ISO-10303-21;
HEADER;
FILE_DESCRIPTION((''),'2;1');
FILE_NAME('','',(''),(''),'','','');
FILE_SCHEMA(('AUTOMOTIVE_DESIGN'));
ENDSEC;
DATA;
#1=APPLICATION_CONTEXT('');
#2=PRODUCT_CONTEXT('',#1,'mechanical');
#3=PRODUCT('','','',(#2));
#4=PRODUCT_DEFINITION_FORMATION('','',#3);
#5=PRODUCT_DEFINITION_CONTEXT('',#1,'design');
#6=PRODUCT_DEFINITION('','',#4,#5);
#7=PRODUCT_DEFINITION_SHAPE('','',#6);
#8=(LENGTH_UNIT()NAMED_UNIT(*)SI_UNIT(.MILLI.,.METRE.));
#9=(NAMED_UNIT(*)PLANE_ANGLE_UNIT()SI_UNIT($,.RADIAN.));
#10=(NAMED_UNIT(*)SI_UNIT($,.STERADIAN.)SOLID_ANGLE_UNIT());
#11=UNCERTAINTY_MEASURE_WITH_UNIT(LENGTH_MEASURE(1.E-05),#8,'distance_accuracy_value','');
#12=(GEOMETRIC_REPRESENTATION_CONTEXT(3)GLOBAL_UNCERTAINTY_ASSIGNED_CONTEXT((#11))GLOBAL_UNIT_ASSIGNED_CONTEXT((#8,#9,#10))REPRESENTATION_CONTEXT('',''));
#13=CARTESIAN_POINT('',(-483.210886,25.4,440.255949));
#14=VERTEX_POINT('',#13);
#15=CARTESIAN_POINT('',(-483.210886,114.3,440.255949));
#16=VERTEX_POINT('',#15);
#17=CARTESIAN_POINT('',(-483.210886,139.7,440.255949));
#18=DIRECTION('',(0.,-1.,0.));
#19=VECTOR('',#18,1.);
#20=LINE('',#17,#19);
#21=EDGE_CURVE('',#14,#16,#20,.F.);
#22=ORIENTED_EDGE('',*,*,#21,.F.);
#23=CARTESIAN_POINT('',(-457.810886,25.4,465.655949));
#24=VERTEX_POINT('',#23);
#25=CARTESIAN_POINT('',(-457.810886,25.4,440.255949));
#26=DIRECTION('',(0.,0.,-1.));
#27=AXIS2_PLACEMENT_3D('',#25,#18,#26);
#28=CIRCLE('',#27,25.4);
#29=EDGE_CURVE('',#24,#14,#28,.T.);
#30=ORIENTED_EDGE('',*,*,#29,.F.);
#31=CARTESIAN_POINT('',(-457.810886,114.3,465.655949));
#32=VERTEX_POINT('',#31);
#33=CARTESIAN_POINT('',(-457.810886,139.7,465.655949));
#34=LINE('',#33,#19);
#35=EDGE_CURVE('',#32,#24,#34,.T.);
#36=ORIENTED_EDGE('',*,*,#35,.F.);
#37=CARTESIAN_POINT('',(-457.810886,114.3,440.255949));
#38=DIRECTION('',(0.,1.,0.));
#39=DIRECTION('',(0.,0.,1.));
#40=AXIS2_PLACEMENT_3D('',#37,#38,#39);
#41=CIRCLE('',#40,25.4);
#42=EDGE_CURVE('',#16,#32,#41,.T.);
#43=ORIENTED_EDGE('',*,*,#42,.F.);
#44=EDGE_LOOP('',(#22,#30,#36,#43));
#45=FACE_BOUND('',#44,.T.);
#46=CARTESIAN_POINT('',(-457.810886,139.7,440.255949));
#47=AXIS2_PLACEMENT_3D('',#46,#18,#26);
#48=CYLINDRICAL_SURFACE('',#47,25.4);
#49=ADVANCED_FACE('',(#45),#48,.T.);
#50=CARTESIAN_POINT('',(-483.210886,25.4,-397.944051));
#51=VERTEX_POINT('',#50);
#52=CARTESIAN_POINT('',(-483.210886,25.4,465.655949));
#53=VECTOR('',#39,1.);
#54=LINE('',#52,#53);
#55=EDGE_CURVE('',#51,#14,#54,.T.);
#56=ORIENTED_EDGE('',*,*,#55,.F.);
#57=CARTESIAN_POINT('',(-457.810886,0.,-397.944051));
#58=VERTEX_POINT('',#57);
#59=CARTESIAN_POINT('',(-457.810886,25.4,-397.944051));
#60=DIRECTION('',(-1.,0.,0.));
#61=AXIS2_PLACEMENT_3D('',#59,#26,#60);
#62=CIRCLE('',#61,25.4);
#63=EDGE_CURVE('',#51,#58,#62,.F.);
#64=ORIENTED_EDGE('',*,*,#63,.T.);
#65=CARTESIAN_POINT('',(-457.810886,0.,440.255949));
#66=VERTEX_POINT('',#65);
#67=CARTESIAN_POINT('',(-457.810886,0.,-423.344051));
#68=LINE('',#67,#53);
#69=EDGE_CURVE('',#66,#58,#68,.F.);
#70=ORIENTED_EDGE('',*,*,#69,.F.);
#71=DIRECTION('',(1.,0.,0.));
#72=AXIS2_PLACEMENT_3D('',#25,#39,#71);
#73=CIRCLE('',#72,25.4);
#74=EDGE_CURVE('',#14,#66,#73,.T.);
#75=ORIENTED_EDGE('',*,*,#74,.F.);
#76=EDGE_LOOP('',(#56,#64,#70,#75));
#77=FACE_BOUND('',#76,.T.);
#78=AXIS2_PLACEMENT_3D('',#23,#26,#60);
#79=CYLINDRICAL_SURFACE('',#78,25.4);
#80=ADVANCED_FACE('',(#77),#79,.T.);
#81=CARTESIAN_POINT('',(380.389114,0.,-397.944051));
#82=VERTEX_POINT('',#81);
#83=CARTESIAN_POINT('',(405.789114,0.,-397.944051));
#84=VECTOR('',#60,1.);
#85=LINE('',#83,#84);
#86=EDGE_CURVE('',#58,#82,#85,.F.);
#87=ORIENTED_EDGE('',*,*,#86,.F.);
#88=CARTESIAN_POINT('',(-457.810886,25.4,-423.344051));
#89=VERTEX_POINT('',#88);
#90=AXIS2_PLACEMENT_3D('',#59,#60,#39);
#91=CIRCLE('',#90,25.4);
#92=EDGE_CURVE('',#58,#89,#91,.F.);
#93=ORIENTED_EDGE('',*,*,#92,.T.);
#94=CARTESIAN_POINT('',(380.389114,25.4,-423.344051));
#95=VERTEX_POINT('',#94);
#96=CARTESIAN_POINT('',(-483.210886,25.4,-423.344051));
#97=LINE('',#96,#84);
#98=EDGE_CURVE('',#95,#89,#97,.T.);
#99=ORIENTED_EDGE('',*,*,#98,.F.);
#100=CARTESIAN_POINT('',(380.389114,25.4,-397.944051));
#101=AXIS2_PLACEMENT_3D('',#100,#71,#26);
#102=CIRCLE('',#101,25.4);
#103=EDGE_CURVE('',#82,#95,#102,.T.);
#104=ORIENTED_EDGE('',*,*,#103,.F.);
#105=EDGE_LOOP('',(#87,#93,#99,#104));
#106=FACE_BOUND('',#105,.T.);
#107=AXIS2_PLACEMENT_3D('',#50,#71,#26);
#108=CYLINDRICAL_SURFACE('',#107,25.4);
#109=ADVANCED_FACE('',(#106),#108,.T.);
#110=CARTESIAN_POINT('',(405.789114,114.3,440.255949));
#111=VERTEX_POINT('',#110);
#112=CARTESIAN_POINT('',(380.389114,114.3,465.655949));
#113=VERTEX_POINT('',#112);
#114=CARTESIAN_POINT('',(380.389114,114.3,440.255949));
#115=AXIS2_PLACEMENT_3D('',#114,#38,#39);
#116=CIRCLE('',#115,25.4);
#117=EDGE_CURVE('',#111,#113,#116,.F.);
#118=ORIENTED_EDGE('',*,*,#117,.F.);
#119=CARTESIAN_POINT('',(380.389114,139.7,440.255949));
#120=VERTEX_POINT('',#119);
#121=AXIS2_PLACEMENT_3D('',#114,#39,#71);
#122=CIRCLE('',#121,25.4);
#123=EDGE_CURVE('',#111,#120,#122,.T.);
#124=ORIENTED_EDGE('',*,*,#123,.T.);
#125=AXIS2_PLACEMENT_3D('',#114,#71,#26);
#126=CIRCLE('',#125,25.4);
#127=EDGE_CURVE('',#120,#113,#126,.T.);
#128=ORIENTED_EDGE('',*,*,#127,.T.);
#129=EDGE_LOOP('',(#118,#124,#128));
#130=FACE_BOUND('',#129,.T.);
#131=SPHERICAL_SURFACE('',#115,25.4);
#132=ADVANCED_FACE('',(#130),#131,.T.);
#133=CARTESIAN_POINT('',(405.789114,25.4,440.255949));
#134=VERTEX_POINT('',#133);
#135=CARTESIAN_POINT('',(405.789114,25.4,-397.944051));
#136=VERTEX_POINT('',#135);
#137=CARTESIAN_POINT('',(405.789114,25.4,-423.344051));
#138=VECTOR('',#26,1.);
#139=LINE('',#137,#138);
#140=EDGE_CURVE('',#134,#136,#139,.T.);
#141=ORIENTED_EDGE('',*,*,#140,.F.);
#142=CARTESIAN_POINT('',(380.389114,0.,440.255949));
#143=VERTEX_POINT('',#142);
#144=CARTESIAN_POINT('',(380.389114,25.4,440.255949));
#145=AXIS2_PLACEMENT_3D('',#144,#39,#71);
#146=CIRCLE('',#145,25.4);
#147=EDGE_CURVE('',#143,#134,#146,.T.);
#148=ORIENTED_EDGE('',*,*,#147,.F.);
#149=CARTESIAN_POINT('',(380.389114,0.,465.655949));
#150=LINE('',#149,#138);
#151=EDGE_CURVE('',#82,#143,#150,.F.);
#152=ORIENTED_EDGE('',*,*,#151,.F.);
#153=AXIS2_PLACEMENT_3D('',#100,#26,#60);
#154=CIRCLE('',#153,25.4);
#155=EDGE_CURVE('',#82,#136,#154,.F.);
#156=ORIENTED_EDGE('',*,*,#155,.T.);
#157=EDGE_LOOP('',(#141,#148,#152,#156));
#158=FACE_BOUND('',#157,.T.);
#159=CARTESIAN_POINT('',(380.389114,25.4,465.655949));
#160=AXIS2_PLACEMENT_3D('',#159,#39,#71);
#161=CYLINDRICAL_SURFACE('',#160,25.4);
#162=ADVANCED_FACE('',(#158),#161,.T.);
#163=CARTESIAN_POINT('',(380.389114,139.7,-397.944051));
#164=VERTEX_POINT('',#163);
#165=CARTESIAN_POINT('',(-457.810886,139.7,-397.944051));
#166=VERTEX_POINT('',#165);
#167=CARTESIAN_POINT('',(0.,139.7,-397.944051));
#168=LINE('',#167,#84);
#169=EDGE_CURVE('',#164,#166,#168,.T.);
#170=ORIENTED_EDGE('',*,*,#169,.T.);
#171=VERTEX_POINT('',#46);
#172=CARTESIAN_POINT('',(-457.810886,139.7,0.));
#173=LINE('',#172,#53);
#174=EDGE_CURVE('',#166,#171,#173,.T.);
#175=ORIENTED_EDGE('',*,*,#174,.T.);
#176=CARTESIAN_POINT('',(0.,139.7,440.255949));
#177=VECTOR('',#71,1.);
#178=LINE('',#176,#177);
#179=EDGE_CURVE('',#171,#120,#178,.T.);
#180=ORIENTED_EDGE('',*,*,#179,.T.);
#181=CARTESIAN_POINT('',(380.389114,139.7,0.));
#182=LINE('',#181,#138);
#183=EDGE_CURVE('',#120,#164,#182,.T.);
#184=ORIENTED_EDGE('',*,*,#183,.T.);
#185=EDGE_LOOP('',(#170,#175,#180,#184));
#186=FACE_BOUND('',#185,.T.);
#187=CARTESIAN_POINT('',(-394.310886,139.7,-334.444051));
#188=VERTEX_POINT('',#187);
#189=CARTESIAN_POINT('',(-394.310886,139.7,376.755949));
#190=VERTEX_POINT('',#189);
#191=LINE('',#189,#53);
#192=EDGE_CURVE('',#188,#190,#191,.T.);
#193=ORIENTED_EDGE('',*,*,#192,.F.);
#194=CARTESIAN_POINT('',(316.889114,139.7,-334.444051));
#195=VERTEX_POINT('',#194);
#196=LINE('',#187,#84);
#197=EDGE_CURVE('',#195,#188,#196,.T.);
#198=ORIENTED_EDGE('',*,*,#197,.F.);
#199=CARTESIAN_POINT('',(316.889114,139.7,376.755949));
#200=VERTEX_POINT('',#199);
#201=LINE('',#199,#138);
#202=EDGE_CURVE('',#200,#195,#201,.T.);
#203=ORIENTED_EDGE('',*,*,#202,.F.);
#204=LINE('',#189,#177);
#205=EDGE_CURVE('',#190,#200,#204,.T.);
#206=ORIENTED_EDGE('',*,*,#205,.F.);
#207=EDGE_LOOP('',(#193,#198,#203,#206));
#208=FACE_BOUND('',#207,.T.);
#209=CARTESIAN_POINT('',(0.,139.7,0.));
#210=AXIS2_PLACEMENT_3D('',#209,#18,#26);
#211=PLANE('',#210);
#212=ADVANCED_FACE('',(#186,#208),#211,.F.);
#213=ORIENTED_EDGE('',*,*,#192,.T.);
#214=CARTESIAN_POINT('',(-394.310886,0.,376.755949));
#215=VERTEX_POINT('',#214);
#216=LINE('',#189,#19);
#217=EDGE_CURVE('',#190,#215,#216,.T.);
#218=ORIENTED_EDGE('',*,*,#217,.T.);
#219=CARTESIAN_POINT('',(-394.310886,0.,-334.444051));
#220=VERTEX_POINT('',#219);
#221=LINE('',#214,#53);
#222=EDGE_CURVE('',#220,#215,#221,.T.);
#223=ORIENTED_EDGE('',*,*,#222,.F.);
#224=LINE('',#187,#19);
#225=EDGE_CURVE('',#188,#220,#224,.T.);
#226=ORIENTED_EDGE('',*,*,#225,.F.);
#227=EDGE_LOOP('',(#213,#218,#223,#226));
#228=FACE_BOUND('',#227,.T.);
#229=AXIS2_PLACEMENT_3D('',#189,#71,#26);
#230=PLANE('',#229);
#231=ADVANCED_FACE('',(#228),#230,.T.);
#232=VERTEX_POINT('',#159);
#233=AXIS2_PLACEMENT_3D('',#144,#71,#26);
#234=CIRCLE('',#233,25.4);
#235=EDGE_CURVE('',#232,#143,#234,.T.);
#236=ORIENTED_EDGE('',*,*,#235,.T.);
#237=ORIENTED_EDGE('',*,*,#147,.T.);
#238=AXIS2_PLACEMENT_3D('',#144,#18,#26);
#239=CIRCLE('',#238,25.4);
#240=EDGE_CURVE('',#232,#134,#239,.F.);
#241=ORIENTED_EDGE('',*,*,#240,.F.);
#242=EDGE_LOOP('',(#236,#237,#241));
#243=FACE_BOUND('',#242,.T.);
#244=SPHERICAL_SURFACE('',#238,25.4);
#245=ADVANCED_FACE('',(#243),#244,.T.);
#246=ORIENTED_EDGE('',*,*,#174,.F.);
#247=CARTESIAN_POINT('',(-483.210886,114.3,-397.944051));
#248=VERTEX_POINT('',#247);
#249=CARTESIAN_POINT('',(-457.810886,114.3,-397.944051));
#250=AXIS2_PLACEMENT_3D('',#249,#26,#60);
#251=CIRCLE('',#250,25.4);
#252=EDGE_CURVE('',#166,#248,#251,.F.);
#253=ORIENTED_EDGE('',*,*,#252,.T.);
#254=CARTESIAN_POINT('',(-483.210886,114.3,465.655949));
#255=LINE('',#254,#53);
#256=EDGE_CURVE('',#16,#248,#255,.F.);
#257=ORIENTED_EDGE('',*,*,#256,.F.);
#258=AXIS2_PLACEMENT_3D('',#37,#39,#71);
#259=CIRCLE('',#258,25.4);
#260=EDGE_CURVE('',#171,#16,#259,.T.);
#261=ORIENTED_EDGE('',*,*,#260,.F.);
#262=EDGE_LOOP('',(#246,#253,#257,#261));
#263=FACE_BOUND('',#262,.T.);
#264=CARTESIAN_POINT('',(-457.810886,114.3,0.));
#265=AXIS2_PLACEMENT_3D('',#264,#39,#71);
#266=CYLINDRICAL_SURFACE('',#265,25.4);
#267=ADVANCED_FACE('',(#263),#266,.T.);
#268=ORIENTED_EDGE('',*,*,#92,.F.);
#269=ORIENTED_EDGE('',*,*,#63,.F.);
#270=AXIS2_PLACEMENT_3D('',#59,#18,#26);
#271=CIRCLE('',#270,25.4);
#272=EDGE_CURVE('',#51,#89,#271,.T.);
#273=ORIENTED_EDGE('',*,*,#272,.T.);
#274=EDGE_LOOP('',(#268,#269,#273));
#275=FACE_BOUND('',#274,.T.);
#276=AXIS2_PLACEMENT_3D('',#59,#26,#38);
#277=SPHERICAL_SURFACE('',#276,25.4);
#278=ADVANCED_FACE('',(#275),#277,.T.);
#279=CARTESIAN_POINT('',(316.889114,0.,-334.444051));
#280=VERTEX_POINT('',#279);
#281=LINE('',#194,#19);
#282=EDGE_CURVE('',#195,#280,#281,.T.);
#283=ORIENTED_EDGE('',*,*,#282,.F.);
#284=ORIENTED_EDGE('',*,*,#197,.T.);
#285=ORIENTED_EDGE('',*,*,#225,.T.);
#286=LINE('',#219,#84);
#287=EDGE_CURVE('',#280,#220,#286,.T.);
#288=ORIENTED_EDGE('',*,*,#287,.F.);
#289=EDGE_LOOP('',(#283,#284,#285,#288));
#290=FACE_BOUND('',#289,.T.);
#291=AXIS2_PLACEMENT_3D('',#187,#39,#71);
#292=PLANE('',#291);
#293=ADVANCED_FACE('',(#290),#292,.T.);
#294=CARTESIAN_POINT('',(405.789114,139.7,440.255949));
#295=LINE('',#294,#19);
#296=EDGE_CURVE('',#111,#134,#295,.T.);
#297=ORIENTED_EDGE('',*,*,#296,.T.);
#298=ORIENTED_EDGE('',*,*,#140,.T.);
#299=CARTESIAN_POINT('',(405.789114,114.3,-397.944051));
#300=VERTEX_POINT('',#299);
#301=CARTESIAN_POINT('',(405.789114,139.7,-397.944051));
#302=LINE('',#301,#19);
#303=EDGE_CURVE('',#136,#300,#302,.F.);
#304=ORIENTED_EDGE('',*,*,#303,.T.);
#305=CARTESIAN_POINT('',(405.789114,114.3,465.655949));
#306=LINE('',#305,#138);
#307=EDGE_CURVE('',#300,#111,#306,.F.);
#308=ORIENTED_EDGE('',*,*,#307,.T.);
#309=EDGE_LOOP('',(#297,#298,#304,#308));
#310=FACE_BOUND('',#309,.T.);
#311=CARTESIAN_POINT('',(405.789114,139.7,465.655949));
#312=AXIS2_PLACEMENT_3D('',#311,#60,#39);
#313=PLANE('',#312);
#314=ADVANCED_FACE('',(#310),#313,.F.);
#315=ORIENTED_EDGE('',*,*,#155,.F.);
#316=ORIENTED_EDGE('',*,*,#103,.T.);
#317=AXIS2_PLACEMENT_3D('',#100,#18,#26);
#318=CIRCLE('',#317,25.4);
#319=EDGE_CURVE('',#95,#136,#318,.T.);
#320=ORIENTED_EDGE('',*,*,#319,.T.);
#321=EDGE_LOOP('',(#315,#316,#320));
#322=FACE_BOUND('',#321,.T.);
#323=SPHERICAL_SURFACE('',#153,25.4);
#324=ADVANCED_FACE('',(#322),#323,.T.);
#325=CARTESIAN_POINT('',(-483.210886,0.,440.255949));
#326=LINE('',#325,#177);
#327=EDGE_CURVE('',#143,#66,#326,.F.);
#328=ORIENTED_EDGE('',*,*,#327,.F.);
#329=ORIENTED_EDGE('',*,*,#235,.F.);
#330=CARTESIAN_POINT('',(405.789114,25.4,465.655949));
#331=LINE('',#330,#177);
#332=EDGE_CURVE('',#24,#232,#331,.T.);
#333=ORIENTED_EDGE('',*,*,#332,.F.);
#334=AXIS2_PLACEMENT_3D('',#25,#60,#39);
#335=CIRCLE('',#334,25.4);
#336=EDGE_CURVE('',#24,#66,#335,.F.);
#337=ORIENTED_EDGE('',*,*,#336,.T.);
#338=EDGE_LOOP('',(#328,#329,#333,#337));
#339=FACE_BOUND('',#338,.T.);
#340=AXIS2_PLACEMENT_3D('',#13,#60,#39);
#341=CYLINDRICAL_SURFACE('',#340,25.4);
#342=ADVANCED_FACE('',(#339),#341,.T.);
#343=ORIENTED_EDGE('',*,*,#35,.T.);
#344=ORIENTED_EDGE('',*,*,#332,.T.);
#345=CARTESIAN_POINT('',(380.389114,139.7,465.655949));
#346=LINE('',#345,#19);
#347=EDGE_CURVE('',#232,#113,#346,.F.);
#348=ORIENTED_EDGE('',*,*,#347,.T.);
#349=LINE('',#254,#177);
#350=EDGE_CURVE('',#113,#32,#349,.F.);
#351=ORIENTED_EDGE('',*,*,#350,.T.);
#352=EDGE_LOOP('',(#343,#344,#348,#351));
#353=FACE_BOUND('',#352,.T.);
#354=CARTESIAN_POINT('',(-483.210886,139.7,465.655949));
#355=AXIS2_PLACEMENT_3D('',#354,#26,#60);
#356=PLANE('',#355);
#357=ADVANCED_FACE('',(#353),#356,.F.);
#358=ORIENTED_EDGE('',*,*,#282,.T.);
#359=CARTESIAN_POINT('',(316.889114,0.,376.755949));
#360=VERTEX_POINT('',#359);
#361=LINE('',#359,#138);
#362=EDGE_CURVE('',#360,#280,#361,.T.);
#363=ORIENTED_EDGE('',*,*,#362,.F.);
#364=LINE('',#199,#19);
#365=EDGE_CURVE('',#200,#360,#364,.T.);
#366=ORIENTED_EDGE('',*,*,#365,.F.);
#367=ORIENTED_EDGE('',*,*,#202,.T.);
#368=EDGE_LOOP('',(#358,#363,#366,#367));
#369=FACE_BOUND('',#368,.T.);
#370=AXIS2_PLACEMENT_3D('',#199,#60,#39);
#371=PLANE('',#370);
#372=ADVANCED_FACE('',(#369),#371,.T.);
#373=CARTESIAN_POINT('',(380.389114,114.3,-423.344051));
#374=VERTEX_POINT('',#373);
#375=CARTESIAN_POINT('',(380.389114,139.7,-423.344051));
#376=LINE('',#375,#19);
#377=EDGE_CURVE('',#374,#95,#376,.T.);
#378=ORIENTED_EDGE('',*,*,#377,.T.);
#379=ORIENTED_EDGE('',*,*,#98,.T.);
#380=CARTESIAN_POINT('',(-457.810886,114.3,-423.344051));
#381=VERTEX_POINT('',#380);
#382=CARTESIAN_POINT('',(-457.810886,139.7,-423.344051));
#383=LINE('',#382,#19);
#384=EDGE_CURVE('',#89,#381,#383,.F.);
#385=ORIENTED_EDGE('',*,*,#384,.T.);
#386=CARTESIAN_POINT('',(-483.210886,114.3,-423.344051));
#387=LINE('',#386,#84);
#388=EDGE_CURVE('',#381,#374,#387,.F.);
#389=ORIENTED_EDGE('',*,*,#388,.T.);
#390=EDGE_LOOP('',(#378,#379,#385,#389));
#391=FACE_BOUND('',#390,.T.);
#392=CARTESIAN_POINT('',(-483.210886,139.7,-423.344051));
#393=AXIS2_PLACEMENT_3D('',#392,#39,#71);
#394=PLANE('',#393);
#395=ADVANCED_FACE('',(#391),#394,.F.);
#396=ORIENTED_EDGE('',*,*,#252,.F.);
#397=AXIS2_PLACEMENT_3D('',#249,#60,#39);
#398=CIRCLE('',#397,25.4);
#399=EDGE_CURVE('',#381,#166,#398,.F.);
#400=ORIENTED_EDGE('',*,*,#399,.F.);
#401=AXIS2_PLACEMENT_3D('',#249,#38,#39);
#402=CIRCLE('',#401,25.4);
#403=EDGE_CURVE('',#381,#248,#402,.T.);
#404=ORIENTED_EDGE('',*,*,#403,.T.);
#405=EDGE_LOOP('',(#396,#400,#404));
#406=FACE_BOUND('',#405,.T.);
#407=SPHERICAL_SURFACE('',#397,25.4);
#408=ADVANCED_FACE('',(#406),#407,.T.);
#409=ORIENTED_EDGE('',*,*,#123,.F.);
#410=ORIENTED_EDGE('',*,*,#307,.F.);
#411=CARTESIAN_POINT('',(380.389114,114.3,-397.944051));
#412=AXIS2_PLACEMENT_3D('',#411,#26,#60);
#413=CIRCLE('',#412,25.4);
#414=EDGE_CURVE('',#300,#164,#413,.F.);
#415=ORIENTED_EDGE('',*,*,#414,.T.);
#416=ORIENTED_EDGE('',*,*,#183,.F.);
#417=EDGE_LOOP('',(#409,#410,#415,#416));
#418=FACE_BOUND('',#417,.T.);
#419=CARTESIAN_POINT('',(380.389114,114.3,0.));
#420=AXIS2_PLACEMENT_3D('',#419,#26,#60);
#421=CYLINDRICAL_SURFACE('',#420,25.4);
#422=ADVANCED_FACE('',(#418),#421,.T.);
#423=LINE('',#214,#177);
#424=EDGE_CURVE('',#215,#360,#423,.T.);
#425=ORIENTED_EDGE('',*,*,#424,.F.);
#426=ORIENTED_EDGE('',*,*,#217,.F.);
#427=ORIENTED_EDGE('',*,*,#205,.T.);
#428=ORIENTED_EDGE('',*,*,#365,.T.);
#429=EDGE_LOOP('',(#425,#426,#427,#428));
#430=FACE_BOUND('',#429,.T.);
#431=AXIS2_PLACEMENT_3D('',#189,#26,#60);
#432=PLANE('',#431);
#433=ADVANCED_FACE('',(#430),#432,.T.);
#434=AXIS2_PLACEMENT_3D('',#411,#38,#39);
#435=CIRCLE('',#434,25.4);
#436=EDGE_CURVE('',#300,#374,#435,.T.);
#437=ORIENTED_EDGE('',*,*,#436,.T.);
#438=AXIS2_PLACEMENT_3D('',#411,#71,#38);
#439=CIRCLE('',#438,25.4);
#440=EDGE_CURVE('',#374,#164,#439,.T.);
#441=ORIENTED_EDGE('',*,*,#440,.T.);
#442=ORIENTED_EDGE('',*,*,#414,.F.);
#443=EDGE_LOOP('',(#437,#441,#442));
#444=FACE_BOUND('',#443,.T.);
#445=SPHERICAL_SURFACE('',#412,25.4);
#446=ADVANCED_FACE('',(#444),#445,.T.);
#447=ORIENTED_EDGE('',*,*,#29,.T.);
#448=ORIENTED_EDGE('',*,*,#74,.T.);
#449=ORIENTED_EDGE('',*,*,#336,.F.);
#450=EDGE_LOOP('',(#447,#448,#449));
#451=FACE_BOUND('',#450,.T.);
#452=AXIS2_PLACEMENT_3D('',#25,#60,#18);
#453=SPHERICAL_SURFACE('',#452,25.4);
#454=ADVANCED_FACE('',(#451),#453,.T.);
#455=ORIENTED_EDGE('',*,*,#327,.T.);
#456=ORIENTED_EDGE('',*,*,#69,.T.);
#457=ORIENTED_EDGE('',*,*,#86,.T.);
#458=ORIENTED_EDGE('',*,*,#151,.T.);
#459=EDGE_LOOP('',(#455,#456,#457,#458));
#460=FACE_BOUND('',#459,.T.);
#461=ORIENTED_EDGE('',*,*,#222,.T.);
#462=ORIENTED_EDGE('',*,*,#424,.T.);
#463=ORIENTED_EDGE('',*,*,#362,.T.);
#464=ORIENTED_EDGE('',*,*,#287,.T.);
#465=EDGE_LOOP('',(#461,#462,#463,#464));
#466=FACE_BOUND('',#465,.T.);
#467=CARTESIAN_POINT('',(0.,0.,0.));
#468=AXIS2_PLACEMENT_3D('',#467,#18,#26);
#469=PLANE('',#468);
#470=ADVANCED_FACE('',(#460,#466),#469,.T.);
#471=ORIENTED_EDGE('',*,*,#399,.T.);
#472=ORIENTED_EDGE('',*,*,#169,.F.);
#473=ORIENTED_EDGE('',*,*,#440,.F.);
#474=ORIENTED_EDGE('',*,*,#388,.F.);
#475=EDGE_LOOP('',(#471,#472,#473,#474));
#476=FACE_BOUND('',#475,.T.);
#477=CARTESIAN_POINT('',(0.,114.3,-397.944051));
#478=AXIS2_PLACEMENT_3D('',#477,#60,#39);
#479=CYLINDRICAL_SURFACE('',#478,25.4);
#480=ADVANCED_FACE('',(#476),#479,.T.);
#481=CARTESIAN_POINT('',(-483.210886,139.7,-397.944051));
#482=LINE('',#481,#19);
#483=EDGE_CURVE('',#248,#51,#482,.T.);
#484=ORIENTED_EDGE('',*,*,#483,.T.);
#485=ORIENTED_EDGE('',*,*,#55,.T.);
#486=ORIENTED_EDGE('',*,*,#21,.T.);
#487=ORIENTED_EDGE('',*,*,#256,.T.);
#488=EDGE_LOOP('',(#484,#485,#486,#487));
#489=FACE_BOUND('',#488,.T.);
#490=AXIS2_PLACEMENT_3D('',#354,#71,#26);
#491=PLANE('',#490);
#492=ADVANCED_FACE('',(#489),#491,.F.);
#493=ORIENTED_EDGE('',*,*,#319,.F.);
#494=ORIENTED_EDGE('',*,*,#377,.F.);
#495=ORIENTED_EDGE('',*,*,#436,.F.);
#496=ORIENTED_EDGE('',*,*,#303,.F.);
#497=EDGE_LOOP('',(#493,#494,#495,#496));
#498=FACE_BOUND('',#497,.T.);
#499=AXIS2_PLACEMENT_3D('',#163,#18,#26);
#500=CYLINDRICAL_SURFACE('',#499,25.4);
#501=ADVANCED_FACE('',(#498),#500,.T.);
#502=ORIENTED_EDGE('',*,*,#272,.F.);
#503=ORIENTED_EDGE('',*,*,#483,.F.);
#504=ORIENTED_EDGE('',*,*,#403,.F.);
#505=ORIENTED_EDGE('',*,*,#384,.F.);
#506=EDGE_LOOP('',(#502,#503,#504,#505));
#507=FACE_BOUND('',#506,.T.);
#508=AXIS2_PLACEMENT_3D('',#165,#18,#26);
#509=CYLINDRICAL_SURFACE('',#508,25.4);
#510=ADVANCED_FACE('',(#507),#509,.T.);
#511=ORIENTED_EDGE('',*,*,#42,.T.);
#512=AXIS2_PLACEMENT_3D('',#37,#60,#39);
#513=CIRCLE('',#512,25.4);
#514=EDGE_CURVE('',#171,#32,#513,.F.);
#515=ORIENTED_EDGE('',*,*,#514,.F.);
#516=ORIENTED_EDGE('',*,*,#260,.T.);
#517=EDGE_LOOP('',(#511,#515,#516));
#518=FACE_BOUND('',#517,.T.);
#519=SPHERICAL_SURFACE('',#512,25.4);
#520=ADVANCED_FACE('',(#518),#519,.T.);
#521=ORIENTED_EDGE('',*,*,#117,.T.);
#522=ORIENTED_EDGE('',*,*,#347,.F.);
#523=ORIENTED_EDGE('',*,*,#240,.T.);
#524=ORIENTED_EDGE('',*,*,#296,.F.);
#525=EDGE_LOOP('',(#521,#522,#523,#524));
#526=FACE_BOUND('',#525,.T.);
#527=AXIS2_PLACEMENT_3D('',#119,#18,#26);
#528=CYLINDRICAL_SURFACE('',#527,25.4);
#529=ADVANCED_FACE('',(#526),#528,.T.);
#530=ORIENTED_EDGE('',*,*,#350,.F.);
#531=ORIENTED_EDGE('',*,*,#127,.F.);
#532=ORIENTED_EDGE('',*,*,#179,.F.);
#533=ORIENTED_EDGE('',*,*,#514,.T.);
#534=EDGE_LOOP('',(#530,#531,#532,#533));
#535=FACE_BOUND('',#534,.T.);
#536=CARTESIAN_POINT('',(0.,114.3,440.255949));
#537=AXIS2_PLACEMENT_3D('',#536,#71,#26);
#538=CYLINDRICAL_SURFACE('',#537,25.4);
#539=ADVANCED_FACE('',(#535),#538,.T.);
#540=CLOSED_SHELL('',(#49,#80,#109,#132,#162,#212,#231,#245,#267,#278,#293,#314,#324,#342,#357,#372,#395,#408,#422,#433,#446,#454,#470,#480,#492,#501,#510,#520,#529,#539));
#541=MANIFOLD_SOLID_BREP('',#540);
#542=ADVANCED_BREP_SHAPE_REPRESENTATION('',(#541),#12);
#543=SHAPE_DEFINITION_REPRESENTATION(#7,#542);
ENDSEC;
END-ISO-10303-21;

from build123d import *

# Parameters (mm, degrees)
SKETCH1_W           = 889
SKETCH1_H           = 889
SKETCH1_W_2         = 711.2
SKETCH1_H_2         = 711.2
BOSS_EXTRUDE1_DEPTH = 139.7
FILLET2_R           = 25.4


with BuildPart() as part:
    # Sketch1 → Boss-Extrude1 (new body)
    with BuildSketch(Plane(origin=(0, 0, 0), x_dir=(1, 0, 0), z_dir=(0, 1, 0))):
        with Locations((-38.710886076, -21.155949367)):
            Rectangle(SKETCH1_W, SKETCH1_H)
        with Locations((-38.710886076, -21.155949367)):
            Rectangle(SKETCH1_W_2, SKETCH1_H_2, mode=Mode.SUBTRACT)
    extrude(amount=BOSS_EXTRUDE1_DEPTH)

    # Fillet2
    fillet2_edges = [part.edges().sort_by_distance(p)[0] for p in [
        (-483.210886076, 139.7, 21.155949367),
        (-38.710886076, 139.7, 465.655949367),
        (405.789113924, 139.7, 21.155949367),
        (-38.710886076, 0, 465.655949367),
        (-483.210886076, 0, 21.155949367),
        (-38.710886076, 0, -423.344050633),
        (405.789113924, 0, 21.155949367),
        (405.789113924, 69.85, 465.655949367),
        (-483.210886076, 69.85, 465.655949367),
        (-483.210886076, 69.85, -423.344050633),
        (405.789113924, 69.85, -423.344050633),
        (-38.710886076, 139.7, -423.344050633),
    ]]
    fillet(fillet2_edges, radius=FILLET2_R)


solid = part.part
